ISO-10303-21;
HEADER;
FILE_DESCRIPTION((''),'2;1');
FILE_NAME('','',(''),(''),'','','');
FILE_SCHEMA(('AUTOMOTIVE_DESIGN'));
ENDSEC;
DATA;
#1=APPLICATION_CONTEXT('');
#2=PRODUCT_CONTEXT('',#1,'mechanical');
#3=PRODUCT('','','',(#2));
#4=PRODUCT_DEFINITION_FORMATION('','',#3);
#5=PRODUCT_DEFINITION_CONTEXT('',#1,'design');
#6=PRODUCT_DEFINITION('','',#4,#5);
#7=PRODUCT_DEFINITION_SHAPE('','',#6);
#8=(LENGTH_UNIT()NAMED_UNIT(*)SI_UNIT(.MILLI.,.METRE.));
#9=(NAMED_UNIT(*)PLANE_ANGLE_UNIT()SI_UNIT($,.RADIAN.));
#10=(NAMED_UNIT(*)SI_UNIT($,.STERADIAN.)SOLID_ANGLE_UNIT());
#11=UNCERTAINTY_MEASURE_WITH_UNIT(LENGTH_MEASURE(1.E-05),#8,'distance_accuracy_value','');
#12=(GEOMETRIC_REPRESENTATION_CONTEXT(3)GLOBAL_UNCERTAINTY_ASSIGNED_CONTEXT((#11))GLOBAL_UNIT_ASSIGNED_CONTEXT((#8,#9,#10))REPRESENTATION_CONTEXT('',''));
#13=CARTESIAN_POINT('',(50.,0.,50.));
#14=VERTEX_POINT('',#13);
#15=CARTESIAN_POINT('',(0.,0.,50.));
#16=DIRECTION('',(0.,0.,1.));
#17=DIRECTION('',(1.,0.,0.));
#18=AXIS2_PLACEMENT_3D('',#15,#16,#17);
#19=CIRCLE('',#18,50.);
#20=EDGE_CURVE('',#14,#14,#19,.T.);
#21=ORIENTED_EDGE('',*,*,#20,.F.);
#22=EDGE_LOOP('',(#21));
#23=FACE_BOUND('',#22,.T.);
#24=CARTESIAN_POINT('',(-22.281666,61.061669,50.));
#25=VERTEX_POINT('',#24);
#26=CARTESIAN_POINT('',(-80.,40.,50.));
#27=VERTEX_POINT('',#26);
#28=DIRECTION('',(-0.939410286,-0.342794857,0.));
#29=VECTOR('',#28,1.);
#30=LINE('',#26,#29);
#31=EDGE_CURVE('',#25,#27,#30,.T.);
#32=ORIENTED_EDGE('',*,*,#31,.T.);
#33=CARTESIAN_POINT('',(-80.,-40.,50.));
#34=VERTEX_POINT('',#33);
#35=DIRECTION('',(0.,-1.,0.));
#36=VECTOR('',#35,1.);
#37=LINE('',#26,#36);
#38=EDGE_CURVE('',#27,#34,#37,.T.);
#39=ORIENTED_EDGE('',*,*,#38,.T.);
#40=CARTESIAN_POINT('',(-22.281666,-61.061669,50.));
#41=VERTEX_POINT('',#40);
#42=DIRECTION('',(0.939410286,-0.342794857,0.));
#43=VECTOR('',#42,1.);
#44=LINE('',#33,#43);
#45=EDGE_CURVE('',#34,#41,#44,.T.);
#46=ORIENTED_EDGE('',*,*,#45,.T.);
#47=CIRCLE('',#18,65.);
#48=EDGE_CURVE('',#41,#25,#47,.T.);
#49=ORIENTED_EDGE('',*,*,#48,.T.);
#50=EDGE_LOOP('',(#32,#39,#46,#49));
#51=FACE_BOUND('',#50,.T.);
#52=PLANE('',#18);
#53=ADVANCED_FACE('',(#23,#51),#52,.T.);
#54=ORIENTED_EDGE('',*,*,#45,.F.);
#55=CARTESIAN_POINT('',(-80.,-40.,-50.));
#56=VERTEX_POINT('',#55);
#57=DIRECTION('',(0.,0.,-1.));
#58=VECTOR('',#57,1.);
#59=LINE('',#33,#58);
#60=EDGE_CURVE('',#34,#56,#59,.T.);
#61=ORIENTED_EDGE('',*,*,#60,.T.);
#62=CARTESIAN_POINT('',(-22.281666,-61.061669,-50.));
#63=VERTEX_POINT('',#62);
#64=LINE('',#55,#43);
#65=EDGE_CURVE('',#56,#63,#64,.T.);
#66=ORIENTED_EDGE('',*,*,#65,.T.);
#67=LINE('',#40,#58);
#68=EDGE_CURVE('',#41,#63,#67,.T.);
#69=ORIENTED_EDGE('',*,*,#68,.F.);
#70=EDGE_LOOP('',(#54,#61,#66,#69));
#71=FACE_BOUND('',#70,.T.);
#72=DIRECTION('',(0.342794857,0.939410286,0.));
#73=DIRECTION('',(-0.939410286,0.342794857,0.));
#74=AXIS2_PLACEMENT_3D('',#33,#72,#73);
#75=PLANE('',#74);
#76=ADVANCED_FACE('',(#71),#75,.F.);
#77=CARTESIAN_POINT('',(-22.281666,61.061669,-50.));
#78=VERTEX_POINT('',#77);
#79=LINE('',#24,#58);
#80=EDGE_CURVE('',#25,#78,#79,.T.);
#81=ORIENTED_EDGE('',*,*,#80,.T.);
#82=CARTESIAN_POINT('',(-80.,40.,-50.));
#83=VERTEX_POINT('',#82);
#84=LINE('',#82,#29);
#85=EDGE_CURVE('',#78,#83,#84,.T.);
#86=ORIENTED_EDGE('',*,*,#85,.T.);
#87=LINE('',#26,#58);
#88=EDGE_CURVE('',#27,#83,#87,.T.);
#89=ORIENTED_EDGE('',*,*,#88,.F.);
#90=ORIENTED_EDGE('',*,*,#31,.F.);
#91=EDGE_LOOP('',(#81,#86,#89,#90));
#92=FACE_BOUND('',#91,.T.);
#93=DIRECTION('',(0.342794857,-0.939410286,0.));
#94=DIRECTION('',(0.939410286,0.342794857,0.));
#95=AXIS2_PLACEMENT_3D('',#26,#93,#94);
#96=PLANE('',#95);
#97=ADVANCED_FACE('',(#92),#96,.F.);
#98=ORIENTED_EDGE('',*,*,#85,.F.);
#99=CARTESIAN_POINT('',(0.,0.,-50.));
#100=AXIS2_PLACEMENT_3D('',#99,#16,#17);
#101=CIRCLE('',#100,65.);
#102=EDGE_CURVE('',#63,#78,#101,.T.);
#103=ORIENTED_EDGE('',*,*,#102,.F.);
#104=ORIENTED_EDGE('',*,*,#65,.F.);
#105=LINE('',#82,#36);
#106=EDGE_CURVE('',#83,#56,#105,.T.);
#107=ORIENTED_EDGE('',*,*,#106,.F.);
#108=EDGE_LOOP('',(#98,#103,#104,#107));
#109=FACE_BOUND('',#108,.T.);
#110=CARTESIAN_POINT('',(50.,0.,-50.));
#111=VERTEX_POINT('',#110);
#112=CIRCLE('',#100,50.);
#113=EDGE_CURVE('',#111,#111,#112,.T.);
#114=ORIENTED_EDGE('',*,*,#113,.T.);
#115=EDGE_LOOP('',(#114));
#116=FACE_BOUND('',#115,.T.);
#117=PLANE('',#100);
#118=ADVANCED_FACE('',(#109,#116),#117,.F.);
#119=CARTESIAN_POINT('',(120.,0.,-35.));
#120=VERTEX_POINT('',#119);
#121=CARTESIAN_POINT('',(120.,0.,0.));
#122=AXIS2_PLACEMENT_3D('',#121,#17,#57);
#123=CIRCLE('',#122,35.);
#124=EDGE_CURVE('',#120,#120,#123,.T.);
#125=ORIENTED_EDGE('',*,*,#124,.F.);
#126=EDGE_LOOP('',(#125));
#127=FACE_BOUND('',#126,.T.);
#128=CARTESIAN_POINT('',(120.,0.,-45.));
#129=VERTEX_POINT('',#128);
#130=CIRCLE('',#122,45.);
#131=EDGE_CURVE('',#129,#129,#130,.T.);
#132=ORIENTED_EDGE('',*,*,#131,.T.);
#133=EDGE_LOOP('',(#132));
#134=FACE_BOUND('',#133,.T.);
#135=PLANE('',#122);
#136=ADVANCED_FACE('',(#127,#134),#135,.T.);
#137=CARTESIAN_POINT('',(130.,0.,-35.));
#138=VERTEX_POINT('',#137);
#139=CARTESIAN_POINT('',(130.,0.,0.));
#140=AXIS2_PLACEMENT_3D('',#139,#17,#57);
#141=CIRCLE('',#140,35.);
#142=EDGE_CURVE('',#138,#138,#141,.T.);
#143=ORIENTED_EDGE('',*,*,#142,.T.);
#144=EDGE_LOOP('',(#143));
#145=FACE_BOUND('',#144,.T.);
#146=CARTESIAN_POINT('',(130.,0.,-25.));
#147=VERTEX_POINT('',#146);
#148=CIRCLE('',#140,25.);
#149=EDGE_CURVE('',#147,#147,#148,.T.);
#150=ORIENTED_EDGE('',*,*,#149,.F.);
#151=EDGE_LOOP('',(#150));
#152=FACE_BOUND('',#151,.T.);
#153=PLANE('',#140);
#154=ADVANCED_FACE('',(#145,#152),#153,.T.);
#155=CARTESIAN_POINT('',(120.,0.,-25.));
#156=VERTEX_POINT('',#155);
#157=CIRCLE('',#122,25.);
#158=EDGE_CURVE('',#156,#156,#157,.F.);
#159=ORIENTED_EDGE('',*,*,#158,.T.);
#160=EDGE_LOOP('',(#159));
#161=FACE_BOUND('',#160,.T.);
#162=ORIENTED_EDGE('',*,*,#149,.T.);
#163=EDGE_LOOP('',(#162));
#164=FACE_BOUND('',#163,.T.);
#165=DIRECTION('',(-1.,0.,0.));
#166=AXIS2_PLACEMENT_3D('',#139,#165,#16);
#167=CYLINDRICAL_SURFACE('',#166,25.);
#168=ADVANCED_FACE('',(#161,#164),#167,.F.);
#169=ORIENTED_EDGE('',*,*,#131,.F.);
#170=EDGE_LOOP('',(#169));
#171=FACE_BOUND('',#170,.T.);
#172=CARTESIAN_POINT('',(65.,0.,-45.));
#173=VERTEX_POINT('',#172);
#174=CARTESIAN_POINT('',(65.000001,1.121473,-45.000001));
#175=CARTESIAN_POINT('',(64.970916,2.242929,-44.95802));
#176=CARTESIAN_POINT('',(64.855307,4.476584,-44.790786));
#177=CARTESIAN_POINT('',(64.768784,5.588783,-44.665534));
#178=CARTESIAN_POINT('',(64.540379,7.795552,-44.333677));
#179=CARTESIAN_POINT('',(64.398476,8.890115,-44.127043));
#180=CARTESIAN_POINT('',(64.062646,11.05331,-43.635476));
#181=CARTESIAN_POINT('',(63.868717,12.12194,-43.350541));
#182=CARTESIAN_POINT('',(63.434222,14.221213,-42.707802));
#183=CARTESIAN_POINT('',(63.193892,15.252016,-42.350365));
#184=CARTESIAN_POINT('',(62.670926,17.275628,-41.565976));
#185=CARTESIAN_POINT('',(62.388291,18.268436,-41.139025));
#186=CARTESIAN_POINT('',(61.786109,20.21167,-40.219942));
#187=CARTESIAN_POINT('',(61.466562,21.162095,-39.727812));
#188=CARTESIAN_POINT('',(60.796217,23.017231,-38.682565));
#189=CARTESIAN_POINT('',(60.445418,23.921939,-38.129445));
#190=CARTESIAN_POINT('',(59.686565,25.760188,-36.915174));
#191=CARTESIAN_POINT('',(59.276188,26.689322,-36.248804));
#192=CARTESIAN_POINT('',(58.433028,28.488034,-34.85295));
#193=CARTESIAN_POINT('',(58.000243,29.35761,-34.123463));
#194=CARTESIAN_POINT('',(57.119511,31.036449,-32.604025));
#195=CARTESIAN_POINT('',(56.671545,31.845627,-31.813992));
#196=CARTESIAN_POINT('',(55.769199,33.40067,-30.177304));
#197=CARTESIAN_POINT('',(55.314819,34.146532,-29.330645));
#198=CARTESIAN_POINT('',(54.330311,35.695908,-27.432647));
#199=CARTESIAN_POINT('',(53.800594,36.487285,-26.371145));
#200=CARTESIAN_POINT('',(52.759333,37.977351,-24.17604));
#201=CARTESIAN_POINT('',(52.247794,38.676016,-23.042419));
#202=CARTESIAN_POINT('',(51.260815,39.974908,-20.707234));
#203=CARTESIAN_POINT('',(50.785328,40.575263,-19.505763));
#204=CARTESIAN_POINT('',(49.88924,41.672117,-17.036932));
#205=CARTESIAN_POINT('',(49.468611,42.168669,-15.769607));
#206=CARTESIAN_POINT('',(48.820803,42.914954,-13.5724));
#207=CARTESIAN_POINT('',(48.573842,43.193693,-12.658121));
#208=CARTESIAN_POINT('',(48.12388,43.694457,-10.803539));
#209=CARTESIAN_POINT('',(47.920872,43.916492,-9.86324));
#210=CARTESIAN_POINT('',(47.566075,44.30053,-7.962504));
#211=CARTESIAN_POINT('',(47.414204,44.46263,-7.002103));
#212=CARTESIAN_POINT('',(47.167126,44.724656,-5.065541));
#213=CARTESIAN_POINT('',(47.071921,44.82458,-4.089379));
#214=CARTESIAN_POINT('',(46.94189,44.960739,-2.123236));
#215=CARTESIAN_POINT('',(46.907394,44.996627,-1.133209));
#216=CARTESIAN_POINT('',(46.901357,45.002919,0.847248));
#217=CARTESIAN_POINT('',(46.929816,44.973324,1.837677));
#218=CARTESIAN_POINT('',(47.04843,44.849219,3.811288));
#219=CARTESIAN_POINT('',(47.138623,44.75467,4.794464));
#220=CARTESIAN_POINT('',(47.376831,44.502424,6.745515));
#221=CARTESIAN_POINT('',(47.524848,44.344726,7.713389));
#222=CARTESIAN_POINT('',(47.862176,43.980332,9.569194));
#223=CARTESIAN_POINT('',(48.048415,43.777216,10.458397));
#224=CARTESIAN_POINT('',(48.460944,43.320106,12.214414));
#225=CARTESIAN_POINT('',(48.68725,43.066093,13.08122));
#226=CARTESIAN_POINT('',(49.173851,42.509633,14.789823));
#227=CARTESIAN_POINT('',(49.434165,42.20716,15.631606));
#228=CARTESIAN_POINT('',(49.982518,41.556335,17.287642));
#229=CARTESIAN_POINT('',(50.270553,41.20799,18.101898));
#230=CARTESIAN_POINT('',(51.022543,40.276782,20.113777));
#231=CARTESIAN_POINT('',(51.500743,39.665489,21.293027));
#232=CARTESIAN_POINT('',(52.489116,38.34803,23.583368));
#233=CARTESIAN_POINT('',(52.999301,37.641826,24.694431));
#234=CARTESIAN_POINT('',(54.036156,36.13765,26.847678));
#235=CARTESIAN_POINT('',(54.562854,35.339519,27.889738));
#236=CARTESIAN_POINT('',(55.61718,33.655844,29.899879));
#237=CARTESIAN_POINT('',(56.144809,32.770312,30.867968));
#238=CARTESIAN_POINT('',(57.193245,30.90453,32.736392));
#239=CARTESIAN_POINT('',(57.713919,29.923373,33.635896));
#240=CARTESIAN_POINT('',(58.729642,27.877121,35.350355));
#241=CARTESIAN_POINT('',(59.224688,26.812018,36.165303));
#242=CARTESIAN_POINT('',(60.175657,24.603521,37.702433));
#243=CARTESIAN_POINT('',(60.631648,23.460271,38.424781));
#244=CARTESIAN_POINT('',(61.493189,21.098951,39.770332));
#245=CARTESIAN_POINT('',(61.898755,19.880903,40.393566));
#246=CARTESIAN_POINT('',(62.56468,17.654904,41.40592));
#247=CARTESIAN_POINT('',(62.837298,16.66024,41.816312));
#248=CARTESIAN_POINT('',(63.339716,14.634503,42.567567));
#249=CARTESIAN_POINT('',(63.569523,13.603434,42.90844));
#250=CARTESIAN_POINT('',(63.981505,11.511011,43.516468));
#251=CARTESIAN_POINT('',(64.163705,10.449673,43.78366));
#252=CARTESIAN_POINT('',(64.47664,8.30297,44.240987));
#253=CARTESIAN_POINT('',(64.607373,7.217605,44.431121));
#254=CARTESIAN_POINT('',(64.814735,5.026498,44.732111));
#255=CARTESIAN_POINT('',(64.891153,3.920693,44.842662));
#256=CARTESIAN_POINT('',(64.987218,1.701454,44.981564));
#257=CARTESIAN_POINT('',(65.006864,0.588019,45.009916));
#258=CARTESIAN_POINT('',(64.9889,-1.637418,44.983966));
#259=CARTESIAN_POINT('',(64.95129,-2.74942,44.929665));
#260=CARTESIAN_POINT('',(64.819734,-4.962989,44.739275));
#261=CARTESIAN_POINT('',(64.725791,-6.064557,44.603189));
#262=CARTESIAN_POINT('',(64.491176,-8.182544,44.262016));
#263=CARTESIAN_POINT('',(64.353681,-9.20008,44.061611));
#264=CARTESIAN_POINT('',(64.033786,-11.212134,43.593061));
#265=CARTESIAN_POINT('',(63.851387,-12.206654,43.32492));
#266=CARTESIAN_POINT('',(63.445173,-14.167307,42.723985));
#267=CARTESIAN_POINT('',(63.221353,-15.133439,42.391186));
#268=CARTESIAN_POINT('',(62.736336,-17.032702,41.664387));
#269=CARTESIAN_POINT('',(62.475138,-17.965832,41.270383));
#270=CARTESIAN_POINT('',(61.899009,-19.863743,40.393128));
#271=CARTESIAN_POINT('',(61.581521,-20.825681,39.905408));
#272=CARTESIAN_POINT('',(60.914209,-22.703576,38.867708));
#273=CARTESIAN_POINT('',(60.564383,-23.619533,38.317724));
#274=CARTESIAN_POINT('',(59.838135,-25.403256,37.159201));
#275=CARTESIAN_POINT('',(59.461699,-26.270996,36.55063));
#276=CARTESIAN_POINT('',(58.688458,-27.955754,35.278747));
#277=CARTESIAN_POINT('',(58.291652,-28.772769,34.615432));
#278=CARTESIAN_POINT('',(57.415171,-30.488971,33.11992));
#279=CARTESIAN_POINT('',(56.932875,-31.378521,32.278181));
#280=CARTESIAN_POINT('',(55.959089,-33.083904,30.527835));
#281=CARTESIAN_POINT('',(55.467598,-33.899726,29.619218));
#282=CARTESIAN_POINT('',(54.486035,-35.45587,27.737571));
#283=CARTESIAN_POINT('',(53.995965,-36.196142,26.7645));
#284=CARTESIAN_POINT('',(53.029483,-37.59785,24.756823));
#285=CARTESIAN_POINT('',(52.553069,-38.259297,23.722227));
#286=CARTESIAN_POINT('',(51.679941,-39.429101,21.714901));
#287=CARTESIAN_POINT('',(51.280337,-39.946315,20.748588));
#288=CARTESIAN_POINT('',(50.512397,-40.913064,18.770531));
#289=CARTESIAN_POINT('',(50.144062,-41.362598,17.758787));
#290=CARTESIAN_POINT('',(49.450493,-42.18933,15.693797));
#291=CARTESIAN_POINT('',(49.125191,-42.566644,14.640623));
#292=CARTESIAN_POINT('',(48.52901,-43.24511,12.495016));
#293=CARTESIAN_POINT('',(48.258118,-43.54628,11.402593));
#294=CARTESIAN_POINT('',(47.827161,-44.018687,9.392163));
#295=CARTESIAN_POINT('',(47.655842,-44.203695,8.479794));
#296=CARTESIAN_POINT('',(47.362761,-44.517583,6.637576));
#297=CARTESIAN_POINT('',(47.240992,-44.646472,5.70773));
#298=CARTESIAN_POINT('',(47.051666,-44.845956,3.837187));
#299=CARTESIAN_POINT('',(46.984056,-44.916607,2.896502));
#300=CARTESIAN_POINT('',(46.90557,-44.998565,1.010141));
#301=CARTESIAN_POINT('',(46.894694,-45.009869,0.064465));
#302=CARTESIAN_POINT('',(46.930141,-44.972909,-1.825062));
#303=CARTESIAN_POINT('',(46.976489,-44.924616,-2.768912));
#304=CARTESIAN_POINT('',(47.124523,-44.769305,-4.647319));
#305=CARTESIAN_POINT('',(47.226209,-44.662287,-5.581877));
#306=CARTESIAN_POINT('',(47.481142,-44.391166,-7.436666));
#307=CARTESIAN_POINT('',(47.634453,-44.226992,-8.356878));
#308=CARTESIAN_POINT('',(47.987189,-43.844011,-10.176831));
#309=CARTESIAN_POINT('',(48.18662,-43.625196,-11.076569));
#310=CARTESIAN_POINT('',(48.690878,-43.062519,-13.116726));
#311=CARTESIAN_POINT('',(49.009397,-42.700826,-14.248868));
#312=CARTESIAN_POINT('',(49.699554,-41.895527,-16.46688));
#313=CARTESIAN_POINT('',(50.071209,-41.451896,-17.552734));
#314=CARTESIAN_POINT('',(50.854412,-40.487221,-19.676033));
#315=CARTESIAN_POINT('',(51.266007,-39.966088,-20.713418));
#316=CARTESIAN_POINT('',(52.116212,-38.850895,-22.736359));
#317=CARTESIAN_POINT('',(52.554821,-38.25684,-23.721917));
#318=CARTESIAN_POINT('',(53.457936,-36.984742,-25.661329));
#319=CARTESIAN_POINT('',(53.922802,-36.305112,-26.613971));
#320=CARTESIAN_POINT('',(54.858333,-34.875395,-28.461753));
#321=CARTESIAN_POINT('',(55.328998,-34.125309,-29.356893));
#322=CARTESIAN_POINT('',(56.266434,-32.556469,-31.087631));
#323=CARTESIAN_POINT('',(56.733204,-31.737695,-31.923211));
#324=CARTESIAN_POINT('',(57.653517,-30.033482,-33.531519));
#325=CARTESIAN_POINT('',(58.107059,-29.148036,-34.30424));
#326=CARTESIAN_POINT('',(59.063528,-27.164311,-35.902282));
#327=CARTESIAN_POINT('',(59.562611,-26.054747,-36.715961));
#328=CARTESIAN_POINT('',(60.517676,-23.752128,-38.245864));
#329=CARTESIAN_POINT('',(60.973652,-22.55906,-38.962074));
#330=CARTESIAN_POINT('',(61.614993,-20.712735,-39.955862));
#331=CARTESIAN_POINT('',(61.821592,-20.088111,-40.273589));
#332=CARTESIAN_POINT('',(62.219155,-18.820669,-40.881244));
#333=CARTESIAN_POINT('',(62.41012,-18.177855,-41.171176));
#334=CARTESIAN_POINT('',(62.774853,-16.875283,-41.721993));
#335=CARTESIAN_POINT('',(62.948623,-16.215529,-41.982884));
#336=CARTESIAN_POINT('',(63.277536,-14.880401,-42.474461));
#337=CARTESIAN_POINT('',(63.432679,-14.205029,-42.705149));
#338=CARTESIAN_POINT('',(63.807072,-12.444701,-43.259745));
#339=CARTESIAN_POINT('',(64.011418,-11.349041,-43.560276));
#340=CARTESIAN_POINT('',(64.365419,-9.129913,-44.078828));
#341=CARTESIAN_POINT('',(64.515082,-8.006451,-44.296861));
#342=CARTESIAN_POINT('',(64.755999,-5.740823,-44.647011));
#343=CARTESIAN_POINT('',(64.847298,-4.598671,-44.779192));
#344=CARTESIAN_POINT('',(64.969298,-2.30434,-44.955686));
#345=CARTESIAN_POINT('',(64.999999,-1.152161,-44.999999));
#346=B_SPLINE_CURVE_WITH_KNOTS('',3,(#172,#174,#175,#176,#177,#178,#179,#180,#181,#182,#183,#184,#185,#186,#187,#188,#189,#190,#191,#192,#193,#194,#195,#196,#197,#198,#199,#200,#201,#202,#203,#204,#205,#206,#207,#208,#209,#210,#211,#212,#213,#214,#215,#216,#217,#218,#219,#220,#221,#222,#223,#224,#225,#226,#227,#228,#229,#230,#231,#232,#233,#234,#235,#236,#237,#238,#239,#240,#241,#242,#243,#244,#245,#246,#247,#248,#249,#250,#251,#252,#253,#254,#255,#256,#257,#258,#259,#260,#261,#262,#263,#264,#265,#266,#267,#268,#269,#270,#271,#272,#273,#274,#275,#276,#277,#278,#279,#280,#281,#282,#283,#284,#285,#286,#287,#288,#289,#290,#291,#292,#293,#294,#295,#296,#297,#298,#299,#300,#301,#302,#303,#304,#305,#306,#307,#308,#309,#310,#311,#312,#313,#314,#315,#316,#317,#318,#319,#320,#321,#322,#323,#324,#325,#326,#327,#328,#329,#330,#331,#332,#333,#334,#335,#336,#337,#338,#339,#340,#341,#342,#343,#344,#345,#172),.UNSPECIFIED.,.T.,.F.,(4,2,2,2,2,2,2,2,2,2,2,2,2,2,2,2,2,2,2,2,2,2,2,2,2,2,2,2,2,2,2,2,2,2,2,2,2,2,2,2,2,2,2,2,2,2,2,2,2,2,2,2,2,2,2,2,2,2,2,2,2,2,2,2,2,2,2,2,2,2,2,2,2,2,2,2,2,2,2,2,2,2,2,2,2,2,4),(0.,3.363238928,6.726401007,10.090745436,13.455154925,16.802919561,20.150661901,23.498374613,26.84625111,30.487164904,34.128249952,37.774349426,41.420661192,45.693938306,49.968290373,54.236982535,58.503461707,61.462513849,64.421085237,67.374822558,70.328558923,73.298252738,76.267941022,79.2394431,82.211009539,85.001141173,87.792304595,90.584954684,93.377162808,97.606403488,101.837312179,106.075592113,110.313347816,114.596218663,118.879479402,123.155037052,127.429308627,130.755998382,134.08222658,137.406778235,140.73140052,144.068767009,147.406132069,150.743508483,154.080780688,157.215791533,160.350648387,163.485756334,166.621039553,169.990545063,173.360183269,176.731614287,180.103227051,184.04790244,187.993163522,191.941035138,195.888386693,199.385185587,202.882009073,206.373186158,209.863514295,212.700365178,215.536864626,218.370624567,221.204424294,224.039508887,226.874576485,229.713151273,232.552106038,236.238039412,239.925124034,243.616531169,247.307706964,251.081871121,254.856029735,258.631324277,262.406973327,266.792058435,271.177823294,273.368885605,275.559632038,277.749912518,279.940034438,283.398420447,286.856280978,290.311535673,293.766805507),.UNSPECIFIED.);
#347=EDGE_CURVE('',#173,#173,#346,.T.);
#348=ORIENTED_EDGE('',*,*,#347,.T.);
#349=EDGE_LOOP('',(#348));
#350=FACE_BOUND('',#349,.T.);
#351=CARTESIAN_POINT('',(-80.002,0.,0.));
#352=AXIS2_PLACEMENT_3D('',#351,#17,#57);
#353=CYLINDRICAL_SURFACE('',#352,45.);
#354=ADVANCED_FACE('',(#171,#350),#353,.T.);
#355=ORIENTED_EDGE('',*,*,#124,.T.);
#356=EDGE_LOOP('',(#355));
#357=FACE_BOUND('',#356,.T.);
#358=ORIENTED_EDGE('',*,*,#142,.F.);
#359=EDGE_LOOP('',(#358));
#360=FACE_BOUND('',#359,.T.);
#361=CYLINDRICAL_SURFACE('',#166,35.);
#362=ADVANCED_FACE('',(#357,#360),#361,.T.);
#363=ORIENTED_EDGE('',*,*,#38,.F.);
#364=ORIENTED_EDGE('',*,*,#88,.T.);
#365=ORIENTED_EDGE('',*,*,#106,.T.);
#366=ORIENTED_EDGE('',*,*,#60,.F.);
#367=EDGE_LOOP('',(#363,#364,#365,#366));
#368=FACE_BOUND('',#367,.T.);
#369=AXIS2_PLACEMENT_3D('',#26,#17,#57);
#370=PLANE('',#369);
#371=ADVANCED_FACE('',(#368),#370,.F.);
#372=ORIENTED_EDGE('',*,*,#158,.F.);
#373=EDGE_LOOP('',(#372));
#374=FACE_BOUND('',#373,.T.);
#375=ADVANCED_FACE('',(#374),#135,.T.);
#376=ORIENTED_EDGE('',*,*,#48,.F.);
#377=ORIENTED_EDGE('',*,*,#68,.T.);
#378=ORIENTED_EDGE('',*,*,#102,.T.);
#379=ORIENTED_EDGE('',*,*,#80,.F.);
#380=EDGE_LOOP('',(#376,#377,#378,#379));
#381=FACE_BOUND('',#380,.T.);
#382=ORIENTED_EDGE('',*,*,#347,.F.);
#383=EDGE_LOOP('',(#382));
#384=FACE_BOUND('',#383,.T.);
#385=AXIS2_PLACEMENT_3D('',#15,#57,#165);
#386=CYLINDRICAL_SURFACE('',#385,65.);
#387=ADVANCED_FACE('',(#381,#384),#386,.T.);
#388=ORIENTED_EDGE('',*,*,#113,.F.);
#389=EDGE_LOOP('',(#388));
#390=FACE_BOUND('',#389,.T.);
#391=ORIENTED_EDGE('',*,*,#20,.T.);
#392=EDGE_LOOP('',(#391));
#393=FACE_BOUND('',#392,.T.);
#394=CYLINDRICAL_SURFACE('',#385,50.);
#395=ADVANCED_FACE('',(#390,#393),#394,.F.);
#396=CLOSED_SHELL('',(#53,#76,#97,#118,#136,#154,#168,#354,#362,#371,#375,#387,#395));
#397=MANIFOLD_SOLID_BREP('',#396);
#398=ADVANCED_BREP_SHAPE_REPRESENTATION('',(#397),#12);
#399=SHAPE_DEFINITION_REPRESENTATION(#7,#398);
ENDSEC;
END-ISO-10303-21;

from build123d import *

# Parameters (mm, degrees)
SKETCH_1_R      = 50
EXTRUDE_1_DEPTH = 50
EXTRUDE_2_REACH = 202
SKETCH_2_R      = 45
SKETCH_3_R      = 35
SKETCH_3_R_2    = 25
EXTRUDE_3_DEPTH = 10


with BuildPart() as part:
    # 草图1 → 凸台-拉伸1 (new body, symmetric)
    with BuildSketch(Plane.XY):
        with BuildLine():
            Line((-80, 40), (-80, -40))
            Line((-80, -40), (-22.281665693, -61.061668614))
            ThreePointArc((-22.281665693, -61.061668614), (65, 0), (-22.281665693, 61.061668614))
            Line((-22.281665693, 61.061668614), (-80, 40))
        make_face()
        Circle(SKETCH_1_R, mode=Mode.SUBTRACT)
    extrude(amount=EXTRUDE_1_DEPTH, both=True)

    # 草图2 → 凸台-拉伸2 (add, up to next)
    with BuildSketch(Plane(origin=(120, 0, 0), x_dir=(0, 0, -1), z_dir=(1, 0, 0)), mode=Mode.PRIVATE) as extrude_2_sk1:
        Circle(SKETCH_2_R)
    extrude_2_tool1 = extrude(extrude_2_sk1.sketch, amount=-EXTRUDE_2_REACH, mode=Mode.PRIVATE) - part.part
    add(extrude_2_tool1.solids().sort_by_distance((120, 0, 0))[0])

    # 草图3 → 凸台-拉伸3 (add)
    with BuildSketch(Plane(origin=(120, 0, 0), x_dir=(0, 0, -1), z_dir=(1, 0, 0))):
        Circle(SKETCH_3_R)
        Circle(SKETCH_3_R_2, mode=Mode.SUBTRACT)
    extrude(amount=EXTRUDE_3_DEPTH)


solid = part.part
